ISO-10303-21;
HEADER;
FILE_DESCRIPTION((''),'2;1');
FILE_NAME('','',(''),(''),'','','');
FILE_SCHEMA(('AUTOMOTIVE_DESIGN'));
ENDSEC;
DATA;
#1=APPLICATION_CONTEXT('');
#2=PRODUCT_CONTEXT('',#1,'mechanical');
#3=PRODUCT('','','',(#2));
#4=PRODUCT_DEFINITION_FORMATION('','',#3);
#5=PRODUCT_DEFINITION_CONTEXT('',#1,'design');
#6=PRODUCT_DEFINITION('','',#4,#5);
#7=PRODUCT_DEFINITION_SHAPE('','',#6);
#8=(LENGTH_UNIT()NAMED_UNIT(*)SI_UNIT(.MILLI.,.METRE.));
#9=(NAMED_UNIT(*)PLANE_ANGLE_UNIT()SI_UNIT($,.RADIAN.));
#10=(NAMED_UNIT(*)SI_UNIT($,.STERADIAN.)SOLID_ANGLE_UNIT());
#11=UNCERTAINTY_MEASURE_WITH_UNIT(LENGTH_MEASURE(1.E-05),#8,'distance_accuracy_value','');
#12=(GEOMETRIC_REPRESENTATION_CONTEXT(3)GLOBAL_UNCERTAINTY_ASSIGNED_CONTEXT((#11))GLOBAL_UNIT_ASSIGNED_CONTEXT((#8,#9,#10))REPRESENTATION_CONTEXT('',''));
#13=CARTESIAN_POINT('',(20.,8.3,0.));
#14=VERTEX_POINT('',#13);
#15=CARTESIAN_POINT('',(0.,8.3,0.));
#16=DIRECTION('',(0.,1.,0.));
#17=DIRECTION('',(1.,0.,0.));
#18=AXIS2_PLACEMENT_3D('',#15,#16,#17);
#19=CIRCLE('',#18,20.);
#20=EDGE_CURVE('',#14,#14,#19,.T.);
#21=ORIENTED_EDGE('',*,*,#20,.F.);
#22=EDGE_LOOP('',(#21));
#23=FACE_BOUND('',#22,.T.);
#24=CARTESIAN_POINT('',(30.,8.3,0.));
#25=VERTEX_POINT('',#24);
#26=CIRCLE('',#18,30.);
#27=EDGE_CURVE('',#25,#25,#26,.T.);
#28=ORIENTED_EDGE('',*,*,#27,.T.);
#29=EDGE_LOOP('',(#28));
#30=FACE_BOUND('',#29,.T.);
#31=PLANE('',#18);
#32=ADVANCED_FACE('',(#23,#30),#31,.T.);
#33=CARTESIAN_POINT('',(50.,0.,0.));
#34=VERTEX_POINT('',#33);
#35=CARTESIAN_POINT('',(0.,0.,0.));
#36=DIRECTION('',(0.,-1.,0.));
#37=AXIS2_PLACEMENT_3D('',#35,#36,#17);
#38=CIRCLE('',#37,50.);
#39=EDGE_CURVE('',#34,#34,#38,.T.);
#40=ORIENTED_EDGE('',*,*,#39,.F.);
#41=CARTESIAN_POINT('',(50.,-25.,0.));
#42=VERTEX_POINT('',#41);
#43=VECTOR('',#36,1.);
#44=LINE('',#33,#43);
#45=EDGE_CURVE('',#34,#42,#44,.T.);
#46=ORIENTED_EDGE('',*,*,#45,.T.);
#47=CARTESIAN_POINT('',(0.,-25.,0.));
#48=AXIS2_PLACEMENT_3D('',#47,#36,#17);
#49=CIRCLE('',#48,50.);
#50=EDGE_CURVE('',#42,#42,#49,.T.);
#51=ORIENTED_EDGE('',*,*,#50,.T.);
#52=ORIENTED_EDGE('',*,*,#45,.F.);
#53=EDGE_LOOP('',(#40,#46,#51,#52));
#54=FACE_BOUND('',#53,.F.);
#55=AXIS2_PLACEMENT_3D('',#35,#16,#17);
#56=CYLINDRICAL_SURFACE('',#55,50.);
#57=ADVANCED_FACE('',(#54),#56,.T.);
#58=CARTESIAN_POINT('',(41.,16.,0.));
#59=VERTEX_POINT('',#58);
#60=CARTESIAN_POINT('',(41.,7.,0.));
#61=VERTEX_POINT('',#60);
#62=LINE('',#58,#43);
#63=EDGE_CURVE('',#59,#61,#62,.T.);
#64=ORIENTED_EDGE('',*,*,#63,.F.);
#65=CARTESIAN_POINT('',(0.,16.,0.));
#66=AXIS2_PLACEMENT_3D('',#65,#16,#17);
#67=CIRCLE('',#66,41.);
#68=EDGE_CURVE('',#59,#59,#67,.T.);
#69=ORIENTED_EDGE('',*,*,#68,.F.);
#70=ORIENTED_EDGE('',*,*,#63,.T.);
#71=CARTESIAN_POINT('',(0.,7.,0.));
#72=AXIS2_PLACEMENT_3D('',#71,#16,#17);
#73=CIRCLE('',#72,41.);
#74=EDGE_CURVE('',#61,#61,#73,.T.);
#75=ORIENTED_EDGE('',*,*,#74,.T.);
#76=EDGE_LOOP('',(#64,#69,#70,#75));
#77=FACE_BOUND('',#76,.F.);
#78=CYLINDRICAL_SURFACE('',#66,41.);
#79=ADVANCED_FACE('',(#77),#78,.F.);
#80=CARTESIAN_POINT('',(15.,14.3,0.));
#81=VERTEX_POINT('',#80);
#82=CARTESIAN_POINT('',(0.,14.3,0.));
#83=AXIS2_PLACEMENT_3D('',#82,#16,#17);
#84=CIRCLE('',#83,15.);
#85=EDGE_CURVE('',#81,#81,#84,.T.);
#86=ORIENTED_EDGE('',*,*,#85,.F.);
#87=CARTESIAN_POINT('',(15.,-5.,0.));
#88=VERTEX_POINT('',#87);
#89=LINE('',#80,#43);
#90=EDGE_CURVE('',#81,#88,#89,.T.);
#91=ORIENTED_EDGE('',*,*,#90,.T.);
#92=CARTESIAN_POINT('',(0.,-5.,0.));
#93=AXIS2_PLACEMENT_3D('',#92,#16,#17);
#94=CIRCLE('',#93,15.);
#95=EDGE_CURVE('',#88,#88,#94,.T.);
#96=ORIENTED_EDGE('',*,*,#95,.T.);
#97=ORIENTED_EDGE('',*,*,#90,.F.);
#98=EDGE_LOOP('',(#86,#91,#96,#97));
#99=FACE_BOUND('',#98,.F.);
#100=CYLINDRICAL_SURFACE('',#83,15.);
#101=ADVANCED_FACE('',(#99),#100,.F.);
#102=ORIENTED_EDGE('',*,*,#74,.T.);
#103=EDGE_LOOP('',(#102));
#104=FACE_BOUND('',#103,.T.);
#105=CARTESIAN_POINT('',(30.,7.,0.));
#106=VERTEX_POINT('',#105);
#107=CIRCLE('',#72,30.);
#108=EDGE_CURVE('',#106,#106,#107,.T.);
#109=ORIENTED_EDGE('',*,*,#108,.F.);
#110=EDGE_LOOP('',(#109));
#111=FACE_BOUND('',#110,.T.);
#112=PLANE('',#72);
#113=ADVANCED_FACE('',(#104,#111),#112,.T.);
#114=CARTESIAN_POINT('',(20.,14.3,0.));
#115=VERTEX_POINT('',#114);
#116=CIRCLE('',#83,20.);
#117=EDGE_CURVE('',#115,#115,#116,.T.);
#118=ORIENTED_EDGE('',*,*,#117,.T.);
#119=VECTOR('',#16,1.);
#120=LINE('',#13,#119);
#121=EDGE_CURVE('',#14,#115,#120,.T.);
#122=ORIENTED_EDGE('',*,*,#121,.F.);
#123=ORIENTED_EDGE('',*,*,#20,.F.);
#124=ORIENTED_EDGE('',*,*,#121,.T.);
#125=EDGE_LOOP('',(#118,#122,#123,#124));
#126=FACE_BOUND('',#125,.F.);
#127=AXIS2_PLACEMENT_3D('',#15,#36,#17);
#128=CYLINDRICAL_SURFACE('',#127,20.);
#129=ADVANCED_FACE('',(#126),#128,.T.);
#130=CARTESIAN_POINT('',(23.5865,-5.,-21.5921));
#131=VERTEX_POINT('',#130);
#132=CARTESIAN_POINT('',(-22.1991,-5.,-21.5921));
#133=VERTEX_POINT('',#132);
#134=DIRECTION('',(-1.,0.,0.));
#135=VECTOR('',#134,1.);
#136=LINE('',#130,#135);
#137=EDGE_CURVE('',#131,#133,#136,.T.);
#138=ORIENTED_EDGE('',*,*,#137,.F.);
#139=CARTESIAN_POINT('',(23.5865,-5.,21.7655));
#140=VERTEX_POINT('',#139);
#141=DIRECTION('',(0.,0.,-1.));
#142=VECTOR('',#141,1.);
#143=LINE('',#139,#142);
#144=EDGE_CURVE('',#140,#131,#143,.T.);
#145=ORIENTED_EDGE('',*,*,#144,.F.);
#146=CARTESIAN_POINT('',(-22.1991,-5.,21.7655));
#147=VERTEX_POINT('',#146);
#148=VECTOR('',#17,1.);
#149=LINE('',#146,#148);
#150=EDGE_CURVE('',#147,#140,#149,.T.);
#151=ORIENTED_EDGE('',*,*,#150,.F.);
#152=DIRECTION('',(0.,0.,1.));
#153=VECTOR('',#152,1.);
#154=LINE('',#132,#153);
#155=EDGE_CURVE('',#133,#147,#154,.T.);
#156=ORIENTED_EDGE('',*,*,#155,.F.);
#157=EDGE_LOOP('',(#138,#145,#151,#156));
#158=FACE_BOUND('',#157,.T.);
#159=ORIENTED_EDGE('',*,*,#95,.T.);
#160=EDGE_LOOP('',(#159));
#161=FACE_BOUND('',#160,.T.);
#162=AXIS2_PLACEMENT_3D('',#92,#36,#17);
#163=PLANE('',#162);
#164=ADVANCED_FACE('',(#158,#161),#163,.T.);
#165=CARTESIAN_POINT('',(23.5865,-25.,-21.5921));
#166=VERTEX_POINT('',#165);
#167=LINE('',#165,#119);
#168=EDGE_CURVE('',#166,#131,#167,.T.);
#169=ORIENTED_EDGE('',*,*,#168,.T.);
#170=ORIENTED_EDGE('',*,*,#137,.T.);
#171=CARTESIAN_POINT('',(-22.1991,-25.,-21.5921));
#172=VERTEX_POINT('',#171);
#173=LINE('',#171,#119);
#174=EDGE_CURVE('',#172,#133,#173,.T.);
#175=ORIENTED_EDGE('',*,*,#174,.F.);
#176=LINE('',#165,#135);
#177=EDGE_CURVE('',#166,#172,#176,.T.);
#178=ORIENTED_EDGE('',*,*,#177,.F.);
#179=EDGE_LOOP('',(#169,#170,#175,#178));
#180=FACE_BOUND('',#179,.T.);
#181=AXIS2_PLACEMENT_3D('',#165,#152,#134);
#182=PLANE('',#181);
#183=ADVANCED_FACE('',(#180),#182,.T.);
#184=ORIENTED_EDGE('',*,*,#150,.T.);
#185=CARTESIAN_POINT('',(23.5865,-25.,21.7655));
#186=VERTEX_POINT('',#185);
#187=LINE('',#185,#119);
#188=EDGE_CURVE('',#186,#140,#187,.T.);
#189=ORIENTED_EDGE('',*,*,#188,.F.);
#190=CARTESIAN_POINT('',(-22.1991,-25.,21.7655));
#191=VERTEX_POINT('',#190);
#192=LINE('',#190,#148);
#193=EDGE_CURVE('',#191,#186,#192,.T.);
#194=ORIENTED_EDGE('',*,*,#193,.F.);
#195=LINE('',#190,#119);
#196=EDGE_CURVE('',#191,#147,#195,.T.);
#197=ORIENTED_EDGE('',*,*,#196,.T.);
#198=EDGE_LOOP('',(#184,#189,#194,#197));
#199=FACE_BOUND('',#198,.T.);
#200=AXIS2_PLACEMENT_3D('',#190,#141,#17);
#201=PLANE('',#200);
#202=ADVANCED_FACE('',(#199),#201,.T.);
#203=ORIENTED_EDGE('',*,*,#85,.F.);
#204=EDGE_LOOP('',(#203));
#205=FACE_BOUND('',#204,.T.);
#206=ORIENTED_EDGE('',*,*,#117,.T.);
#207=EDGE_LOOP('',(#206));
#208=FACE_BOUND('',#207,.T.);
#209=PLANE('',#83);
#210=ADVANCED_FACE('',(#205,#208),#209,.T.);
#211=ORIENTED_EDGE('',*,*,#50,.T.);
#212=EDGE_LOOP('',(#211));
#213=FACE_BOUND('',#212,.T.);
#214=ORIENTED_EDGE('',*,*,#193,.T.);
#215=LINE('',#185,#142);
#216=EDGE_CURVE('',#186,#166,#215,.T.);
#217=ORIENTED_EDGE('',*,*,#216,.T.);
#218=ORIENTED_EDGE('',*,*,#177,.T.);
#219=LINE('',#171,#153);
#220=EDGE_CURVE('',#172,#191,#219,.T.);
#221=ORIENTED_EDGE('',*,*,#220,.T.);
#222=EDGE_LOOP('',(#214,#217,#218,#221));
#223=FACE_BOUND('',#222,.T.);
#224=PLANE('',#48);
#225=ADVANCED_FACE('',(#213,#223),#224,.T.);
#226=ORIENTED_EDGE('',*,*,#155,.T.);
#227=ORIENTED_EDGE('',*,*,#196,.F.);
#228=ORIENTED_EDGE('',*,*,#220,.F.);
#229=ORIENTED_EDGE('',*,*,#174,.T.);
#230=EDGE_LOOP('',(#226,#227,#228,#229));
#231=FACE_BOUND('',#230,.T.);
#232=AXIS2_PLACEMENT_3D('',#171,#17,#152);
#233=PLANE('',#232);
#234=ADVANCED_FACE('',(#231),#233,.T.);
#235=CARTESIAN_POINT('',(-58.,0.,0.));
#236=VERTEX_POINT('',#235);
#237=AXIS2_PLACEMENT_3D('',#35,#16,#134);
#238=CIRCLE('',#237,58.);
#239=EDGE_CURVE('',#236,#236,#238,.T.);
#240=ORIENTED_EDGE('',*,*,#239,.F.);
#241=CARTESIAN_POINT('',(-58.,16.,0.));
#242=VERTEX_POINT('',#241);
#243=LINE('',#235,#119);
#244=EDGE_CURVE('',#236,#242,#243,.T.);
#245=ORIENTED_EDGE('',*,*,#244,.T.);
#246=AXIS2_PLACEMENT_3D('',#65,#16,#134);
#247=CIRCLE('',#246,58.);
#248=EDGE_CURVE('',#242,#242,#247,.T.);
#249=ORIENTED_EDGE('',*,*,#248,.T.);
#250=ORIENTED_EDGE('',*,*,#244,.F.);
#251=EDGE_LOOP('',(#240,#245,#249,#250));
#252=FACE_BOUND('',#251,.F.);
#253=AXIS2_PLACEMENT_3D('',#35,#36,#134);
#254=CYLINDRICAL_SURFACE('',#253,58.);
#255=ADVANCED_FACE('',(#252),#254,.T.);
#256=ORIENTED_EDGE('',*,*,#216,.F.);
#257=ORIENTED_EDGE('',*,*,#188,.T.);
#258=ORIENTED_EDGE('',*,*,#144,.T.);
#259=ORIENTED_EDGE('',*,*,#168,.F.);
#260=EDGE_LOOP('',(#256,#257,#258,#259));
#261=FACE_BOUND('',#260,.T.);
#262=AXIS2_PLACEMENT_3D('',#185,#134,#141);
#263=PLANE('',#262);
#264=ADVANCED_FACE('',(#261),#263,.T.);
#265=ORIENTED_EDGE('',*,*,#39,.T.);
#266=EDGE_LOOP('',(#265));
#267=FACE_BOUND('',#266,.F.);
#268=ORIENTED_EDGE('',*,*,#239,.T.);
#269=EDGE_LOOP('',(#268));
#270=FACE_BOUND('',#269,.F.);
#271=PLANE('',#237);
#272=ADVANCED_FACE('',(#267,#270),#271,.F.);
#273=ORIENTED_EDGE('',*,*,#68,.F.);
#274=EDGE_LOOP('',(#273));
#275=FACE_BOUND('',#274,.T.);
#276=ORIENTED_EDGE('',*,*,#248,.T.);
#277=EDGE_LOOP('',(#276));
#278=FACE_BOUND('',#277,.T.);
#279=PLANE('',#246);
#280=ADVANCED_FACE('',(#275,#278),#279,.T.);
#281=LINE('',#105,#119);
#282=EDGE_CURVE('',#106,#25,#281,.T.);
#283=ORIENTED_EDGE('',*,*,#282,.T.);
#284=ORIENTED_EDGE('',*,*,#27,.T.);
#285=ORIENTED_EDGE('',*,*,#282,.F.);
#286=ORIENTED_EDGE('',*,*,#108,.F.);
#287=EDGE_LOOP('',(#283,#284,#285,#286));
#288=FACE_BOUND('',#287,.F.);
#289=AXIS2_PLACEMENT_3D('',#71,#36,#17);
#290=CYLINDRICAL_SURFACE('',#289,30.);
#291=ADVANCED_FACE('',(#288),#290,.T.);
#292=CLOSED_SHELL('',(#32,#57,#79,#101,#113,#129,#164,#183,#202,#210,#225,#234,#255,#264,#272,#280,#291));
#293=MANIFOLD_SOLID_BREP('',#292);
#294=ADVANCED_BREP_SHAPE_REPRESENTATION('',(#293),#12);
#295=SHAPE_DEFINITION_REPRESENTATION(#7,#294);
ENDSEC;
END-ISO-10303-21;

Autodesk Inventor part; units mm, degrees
ref_plane "YZ Plane" through (0, 0, 0) normal (1, 0, 0) x (0, 1, 0)
ref_plane "XZ Plane" through (0, 0, 0) normal (0, 1, 0) x (-1, 0, 0)
ref_plane "XY Plane" through (0, 0, 0) normal (0, 0, 1) x (1, 0, 0)
sketch "Sketch1" plane through (0, 0, 0) normal (0, 1, 0) x (-1, 0, 0)
  circle A0 centre (0, 0) radius 58
  dimension "d0" = 116
extrude "Extrusion1" add sketch "Sketch1" along normal blind 16
sketch "Sketch2" plane through (0, 16, 0) normal (0, 1, 0) x (1, 0, 0)
  circle A0 centre (0, 0) radius 41
  dimension "d3" = 82
extrude "Extrusion2" cut sketch "Sketch2" against normal blind 9
sketch "Sketch3" plane through (0, 0, 0) normal (0, -1, 0) x (1, 0, 0)
  circle A0 centre (0, 0) radius 50
  dimension "d6" = 100
extrude "Extrusion3" add sketch "Sketch3" along normal blind 25
sketch "Sketch4" plane through (0, 7, 0) normal (0, 1, 0) x (1, 0, 0)
  circle A0 centre (0, 0) radius 30
  dimension "d9" = 60
extrude "Extrusion4" add sketch "Sketch4" along normal blind 1.3
sketch "Sketch6" plane through (0, 8.3, 0) normal (0, 1, 0) x (1, 0, 0)
  circle A0 centre (0, 0) radius 20
  dimension "d12" = 40
extrude "Extrusion5" add sketch "Sketch6" along normal blind 6
sketch "Sketch7" plane through (0, 14.3, 0) normal (0, 1, 0) x (1, 0, 0)
  circle A0 centre (0, 0) radius 15
  dimension "d15" = 30
extrude "Extrusion6" cut sketch "Sketch7" against normal blind 50
sketch "Sketch8" plane through (0, -25, 0) normal (0, -1, 0) x (1, 0, 0)
  line L0 (-22.1991, 21.7655) -> (23.5865, 21.7655)
  line L1 (23.5865, 21.7655) -> (23.5865, -21.5921)
  line L2 (23.5865, -21.5921) -> (-22.1991, -21.5921)
  line L3 (-22.1991, -21.5921) -> (-22.1991, 21.7655)
  point P0 (0, 0)
extrude "Extrusion7" cut sketch "Sketch8" against normal blind 20
